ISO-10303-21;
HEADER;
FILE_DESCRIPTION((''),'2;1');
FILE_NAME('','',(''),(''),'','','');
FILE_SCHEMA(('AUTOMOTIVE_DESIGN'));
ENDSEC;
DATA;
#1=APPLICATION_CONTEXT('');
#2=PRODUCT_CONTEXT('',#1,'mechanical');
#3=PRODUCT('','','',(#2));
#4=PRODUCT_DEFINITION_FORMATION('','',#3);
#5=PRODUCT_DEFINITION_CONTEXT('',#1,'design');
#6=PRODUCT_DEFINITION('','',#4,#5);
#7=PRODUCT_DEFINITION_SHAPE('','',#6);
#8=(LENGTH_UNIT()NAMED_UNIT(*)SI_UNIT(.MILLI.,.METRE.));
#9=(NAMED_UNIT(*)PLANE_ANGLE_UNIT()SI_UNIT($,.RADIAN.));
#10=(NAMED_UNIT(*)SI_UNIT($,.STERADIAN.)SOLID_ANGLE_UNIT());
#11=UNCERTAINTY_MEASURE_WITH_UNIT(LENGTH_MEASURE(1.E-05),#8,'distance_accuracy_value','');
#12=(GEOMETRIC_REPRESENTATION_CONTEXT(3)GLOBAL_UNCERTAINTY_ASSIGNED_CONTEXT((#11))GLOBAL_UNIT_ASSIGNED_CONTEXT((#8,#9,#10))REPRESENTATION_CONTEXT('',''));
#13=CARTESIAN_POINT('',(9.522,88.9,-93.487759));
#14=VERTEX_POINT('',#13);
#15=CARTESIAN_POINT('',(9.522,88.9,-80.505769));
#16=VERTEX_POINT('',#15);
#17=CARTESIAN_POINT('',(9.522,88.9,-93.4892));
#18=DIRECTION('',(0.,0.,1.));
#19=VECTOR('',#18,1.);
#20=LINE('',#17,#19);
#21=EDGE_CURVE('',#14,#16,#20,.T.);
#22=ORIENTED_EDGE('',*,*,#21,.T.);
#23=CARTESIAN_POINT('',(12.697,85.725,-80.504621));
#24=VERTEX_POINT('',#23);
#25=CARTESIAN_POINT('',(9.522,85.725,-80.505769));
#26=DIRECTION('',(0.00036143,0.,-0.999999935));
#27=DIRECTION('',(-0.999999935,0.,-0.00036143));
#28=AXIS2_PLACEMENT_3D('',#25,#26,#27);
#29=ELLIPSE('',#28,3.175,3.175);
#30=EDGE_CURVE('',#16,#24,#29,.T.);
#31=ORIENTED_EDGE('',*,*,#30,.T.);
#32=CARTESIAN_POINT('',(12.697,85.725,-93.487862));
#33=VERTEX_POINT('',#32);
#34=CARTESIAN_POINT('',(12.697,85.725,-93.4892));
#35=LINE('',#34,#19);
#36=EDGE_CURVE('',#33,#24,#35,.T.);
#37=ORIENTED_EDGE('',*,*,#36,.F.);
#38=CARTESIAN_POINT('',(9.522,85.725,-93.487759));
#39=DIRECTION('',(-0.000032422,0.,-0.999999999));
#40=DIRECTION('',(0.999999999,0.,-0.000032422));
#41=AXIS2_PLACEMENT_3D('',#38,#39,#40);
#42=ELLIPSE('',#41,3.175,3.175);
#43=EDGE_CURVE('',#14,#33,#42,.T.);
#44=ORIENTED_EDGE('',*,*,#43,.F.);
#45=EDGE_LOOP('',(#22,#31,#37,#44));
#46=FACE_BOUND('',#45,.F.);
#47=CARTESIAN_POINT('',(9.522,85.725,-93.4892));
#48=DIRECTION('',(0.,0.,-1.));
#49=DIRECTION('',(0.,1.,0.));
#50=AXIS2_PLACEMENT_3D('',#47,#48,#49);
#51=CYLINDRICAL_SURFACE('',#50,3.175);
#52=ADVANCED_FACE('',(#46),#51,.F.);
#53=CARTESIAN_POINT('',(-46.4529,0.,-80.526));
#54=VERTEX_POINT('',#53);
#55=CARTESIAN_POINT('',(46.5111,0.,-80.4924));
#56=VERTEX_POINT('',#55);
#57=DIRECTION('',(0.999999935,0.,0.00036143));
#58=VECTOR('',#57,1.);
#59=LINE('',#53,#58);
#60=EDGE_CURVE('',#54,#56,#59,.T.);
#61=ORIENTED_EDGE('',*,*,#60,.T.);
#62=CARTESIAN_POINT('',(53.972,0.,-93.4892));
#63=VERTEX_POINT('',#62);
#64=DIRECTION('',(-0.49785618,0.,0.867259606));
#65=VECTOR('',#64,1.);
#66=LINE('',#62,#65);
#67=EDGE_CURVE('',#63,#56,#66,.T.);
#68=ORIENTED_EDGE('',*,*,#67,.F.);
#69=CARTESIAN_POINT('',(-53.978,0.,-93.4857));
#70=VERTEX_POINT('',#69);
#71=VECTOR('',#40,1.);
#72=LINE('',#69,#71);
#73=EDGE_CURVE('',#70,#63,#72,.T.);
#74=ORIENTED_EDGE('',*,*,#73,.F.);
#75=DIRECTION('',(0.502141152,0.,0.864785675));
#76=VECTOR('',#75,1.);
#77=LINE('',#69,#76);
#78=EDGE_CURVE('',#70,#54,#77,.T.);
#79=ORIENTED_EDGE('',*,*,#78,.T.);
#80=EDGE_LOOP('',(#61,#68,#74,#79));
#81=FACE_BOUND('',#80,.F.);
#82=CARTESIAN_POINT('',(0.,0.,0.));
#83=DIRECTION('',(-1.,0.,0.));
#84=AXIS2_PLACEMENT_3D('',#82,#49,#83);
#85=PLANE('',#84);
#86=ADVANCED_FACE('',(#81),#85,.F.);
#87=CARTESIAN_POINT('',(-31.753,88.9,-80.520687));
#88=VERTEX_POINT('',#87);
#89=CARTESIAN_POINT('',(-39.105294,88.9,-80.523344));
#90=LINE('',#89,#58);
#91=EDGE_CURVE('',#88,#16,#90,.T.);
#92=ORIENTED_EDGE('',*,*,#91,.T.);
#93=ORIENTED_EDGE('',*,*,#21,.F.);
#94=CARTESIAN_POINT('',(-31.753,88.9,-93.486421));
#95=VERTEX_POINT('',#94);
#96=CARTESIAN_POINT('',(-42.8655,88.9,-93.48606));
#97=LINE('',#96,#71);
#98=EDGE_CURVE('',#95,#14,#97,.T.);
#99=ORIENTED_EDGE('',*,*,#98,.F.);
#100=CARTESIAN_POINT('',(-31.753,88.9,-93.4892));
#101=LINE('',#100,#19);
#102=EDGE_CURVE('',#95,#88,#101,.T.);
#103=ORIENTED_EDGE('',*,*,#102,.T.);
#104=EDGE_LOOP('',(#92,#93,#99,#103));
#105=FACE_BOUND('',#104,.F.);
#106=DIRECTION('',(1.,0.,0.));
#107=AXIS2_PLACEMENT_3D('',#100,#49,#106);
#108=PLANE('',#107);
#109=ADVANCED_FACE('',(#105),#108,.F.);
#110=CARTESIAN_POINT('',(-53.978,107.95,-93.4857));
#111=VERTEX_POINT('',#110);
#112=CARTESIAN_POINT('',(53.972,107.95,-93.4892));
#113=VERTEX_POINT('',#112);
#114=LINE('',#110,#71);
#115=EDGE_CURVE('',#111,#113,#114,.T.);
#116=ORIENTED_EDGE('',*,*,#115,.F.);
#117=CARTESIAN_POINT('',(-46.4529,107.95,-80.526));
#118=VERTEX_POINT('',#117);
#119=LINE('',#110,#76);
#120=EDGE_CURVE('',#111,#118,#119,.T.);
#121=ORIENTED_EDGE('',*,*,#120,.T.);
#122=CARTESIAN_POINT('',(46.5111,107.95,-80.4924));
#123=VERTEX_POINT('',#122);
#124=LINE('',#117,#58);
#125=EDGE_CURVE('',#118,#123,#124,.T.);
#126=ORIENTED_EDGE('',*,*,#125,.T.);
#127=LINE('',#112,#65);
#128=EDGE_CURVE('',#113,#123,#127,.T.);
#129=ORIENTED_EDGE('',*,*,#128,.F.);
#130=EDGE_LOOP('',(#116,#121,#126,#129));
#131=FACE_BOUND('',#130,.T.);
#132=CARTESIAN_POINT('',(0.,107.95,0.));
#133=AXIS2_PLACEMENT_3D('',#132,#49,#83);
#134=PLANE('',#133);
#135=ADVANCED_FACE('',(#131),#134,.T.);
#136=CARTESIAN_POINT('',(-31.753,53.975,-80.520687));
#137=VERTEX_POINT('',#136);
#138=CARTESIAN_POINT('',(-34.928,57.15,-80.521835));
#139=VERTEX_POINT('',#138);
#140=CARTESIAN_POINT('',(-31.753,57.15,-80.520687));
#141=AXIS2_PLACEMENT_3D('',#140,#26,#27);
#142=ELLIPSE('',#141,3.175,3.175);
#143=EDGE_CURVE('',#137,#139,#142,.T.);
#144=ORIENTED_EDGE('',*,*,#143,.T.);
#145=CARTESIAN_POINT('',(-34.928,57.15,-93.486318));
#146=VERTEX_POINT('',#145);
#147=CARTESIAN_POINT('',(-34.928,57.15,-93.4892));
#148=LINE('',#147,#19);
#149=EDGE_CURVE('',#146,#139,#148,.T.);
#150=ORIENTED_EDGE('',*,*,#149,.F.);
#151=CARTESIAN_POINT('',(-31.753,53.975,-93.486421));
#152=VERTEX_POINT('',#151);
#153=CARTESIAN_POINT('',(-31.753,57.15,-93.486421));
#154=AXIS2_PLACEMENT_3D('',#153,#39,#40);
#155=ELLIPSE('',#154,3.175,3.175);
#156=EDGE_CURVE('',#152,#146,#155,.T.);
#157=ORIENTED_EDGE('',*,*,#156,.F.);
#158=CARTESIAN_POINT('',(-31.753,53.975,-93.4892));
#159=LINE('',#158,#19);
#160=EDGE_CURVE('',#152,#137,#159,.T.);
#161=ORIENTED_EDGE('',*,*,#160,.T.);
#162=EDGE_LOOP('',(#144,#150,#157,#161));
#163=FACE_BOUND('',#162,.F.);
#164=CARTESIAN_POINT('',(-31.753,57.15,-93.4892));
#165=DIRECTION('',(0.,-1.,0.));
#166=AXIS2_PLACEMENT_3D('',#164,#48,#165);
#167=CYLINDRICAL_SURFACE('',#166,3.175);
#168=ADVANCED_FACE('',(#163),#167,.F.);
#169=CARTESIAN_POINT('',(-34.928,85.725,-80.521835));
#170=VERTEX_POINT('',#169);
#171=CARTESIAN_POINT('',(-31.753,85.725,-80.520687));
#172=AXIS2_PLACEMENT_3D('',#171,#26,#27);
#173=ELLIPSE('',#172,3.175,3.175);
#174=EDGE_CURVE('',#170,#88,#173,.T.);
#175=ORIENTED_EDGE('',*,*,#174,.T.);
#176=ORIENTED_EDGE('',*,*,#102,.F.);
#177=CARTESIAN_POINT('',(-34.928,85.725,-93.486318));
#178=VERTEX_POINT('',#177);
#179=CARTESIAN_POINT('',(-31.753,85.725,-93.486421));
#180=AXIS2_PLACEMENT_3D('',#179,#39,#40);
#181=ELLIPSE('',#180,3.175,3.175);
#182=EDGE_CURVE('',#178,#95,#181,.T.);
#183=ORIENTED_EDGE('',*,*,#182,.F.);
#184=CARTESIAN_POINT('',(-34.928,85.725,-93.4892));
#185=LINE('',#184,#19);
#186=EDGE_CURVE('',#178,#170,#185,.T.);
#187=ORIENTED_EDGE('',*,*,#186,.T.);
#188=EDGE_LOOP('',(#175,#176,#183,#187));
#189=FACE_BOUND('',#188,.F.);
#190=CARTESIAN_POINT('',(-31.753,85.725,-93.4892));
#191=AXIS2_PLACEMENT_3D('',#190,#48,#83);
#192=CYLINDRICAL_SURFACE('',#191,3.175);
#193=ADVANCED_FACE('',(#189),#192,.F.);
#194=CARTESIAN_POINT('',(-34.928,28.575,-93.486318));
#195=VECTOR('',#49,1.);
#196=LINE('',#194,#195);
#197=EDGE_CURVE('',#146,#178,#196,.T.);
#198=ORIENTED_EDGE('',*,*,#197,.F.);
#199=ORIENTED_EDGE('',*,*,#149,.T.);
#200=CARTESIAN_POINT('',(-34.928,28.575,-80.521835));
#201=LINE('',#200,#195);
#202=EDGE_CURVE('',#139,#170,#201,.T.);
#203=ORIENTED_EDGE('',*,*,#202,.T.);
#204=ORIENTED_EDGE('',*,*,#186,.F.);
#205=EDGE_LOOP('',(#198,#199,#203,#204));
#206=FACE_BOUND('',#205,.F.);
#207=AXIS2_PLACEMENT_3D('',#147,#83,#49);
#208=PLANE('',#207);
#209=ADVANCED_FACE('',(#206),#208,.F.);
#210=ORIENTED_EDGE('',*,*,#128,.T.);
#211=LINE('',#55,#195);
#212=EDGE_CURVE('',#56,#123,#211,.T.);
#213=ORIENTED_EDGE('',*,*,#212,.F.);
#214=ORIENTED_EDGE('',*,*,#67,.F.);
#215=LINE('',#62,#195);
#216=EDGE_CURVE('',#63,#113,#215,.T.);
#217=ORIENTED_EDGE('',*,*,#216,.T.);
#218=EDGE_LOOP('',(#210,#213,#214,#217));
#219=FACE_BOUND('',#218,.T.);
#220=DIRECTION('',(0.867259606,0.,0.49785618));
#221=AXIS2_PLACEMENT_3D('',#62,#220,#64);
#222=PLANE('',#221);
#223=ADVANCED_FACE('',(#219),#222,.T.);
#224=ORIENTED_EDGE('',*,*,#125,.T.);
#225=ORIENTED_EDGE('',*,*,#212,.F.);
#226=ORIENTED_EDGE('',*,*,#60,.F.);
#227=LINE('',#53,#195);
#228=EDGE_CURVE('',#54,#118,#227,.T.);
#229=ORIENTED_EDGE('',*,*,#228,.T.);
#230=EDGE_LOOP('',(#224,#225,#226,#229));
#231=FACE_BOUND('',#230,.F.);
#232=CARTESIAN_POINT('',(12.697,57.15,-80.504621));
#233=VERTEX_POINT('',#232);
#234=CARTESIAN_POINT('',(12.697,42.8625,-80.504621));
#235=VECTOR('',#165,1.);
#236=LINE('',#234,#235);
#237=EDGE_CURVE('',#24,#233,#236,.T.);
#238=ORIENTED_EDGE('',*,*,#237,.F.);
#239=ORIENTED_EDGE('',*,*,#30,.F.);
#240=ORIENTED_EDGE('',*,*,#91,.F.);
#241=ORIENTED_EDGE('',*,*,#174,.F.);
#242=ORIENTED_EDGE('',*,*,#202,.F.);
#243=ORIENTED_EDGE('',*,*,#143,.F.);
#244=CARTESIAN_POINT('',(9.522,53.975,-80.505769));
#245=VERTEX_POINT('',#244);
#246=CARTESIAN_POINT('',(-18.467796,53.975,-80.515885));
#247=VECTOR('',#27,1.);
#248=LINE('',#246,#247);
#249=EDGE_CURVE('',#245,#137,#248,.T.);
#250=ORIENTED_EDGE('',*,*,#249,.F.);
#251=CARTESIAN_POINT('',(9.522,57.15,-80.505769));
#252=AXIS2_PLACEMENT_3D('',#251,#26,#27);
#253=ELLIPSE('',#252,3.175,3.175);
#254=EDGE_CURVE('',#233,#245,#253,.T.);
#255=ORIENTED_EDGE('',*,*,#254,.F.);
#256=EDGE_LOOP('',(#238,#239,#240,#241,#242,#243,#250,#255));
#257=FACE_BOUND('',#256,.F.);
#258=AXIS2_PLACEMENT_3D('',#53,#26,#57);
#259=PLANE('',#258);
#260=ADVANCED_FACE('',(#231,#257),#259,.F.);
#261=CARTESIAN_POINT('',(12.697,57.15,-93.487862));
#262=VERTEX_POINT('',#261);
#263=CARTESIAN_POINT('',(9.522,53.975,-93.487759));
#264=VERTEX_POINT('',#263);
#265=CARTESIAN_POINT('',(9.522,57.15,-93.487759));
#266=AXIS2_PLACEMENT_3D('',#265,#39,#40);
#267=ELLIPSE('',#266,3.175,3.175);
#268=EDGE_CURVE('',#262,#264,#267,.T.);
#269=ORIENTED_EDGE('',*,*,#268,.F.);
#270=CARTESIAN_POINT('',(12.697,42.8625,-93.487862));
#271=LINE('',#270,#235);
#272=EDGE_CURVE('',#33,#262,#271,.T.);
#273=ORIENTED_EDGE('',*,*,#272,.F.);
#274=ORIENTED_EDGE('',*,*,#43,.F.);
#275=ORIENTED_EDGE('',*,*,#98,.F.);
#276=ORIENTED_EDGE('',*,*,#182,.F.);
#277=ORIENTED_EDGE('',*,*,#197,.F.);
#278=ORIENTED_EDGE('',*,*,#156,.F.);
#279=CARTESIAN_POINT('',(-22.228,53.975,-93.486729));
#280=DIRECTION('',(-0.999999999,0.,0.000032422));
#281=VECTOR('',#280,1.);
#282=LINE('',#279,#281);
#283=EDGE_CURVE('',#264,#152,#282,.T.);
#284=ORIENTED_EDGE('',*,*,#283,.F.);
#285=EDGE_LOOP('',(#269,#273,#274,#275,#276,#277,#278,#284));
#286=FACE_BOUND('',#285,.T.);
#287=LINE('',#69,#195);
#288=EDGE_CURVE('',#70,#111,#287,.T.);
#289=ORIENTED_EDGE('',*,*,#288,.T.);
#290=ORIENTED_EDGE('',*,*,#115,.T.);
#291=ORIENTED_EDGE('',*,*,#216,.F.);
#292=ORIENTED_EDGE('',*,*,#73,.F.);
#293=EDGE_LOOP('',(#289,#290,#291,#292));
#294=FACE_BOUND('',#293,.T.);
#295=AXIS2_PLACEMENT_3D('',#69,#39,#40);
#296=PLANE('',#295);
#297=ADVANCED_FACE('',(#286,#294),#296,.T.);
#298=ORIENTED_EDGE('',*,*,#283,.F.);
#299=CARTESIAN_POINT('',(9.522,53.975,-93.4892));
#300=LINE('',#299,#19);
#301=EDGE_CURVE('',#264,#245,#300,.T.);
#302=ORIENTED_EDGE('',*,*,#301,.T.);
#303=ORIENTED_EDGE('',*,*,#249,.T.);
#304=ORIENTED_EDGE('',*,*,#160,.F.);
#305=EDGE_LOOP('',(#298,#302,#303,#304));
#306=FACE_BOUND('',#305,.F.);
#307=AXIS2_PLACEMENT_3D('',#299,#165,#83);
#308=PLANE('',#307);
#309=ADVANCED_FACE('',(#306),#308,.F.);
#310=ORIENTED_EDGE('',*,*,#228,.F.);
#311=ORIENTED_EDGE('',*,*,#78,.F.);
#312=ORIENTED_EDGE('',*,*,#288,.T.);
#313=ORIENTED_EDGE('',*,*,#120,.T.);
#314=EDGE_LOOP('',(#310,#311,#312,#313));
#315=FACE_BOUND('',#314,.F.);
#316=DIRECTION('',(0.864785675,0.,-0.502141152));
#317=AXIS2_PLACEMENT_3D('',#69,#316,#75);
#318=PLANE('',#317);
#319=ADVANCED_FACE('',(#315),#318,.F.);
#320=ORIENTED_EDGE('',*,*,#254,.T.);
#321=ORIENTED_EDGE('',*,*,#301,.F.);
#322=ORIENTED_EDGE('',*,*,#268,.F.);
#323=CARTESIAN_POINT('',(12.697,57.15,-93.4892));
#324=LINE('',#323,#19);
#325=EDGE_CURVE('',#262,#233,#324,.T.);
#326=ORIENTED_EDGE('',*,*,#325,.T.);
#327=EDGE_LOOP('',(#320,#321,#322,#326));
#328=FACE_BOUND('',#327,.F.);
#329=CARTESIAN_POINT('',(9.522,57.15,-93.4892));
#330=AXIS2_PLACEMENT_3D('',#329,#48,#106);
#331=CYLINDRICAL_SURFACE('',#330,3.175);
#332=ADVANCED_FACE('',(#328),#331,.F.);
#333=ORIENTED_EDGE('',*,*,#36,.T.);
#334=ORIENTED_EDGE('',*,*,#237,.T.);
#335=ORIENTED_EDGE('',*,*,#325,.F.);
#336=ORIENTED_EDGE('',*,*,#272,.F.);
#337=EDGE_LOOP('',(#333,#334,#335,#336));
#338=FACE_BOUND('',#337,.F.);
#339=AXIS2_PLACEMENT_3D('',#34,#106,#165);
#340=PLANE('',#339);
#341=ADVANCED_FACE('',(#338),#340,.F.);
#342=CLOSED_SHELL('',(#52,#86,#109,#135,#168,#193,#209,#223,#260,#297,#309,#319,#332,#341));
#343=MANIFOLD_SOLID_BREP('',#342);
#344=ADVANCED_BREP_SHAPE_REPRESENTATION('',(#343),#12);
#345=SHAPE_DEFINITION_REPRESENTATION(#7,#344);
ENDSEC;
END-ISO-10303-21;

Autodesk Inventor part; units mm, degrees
ref_plane "YZ Plane" through (0, 0, 0) normal (1, 0, 0) x (0, 1, 0)
ref_plane "XZ Plane" through (0, 0, 0) normal (0, 1, 0) x (-1, 0, 0)
ref_plane "XY Plane" through (0, 0, 0) normal (0, 0, 1) x (1, 0, 0)
sketch "Sketch1" plane through (0, 0, 0) normal (0, 1, 0) x (-1, 0, 0)
  line L0 (-107.95, -0.0035) -> (-53.978, 93.4857)
  line L1 (-53.978, 93.4857) -> (53.972, 93.4892)
  line L2 (53.972, 93.4892) -> (107.95, 0.0035)
  line L3 (107.95, 0.0035) -> (53.978, -93.4857)
  line L4 (53.978, -93.4857) -> (-53.972, -93.4892)
  line L5 (-53.972, -93.4892) -> (-107.95, -0.0035)
  line L6 (-92.964, 0.0336) -> (-46.4529, 80.526)
  line L7 (-46.4529, 80.526) -> (46.5111, 80.4924)
  line L8 (46.5111, 80.4924) -> (92.964, -0.0336)
  line L9 (92.964, -0.0336) -> (46.4529, -80.526)
  line L10 (46.4529, -80.526) -> (-46.5111, -80.4924)
  line L11 (-46.5111, -80.4924) -> (-92.964, 0.0336)
  line L12 (53.978, -93.4857) -> (46.4529, -80.526)
  line L13 (-53.972, -93.4892) -> (-46.5111, -80.4924)
  point P0 (0, 0)
  point P1 (0, 0)
  point P2 (0, 0)
  point P3 (0, 0)
  dimension "d0" = 215.9
  dimension "d1" = 14.986
extrude "Extrusion1" add sketch "Sketch1" along normal blind 107.95 contours L13 L10 L12 L4
sketch "Sketch2" plane through (53.972, 0, -93.4892) normal (0, 0, -1) x (-1, 0, 0)
  line L0 (85.725, 88.9) -> (44.45, 88.9)
  line L1 (41.275, 85.725) -> (41.275, 57.15)
  line L2 (44.45, 53.975) -> (85.725, 53.975)
  line L3 (88.9, 57.15) -> (88.9, 85.725)
  line L4 (107.95, 0) -> (107.95, 107.95) projected
  line L5 (0, 107.95) -> (107.95, 107.95) projected
  arc A0 (44.45, 88.9) -> (41.275, 85.725) centre (44.45, 85.725) ccw
  arc A1 (88.9, 85.725) -> (85.725, 88.9) centre (85.725, 85.725) ccw
  arc A2 (41.275, 57.15) -> (44.45, 53.975) centre (44.45, 57.15) ccw
  arc A3 (85.725, 53.975) -> (88.9, 57.15) centre (85.725, 57.15) ccw
  point P0 (53.975, 0)
  point P1 (41.275, 53.975)
  point P2 (41.275, 88.9)
  point P3 (88.9, 53.975)
  dimension "d4" = 47.625
  dimension "d5" = 34.925
  dimension "d6" = 19.05
  dimension "d7" = 19.05
  dimension "d8" = 3.175
extrude "Extrusion2" cut sketch "Sketch2" against normal up to surface (12.9994 mm away)
properties part number "SatelliteSideWallCamera_v2"
